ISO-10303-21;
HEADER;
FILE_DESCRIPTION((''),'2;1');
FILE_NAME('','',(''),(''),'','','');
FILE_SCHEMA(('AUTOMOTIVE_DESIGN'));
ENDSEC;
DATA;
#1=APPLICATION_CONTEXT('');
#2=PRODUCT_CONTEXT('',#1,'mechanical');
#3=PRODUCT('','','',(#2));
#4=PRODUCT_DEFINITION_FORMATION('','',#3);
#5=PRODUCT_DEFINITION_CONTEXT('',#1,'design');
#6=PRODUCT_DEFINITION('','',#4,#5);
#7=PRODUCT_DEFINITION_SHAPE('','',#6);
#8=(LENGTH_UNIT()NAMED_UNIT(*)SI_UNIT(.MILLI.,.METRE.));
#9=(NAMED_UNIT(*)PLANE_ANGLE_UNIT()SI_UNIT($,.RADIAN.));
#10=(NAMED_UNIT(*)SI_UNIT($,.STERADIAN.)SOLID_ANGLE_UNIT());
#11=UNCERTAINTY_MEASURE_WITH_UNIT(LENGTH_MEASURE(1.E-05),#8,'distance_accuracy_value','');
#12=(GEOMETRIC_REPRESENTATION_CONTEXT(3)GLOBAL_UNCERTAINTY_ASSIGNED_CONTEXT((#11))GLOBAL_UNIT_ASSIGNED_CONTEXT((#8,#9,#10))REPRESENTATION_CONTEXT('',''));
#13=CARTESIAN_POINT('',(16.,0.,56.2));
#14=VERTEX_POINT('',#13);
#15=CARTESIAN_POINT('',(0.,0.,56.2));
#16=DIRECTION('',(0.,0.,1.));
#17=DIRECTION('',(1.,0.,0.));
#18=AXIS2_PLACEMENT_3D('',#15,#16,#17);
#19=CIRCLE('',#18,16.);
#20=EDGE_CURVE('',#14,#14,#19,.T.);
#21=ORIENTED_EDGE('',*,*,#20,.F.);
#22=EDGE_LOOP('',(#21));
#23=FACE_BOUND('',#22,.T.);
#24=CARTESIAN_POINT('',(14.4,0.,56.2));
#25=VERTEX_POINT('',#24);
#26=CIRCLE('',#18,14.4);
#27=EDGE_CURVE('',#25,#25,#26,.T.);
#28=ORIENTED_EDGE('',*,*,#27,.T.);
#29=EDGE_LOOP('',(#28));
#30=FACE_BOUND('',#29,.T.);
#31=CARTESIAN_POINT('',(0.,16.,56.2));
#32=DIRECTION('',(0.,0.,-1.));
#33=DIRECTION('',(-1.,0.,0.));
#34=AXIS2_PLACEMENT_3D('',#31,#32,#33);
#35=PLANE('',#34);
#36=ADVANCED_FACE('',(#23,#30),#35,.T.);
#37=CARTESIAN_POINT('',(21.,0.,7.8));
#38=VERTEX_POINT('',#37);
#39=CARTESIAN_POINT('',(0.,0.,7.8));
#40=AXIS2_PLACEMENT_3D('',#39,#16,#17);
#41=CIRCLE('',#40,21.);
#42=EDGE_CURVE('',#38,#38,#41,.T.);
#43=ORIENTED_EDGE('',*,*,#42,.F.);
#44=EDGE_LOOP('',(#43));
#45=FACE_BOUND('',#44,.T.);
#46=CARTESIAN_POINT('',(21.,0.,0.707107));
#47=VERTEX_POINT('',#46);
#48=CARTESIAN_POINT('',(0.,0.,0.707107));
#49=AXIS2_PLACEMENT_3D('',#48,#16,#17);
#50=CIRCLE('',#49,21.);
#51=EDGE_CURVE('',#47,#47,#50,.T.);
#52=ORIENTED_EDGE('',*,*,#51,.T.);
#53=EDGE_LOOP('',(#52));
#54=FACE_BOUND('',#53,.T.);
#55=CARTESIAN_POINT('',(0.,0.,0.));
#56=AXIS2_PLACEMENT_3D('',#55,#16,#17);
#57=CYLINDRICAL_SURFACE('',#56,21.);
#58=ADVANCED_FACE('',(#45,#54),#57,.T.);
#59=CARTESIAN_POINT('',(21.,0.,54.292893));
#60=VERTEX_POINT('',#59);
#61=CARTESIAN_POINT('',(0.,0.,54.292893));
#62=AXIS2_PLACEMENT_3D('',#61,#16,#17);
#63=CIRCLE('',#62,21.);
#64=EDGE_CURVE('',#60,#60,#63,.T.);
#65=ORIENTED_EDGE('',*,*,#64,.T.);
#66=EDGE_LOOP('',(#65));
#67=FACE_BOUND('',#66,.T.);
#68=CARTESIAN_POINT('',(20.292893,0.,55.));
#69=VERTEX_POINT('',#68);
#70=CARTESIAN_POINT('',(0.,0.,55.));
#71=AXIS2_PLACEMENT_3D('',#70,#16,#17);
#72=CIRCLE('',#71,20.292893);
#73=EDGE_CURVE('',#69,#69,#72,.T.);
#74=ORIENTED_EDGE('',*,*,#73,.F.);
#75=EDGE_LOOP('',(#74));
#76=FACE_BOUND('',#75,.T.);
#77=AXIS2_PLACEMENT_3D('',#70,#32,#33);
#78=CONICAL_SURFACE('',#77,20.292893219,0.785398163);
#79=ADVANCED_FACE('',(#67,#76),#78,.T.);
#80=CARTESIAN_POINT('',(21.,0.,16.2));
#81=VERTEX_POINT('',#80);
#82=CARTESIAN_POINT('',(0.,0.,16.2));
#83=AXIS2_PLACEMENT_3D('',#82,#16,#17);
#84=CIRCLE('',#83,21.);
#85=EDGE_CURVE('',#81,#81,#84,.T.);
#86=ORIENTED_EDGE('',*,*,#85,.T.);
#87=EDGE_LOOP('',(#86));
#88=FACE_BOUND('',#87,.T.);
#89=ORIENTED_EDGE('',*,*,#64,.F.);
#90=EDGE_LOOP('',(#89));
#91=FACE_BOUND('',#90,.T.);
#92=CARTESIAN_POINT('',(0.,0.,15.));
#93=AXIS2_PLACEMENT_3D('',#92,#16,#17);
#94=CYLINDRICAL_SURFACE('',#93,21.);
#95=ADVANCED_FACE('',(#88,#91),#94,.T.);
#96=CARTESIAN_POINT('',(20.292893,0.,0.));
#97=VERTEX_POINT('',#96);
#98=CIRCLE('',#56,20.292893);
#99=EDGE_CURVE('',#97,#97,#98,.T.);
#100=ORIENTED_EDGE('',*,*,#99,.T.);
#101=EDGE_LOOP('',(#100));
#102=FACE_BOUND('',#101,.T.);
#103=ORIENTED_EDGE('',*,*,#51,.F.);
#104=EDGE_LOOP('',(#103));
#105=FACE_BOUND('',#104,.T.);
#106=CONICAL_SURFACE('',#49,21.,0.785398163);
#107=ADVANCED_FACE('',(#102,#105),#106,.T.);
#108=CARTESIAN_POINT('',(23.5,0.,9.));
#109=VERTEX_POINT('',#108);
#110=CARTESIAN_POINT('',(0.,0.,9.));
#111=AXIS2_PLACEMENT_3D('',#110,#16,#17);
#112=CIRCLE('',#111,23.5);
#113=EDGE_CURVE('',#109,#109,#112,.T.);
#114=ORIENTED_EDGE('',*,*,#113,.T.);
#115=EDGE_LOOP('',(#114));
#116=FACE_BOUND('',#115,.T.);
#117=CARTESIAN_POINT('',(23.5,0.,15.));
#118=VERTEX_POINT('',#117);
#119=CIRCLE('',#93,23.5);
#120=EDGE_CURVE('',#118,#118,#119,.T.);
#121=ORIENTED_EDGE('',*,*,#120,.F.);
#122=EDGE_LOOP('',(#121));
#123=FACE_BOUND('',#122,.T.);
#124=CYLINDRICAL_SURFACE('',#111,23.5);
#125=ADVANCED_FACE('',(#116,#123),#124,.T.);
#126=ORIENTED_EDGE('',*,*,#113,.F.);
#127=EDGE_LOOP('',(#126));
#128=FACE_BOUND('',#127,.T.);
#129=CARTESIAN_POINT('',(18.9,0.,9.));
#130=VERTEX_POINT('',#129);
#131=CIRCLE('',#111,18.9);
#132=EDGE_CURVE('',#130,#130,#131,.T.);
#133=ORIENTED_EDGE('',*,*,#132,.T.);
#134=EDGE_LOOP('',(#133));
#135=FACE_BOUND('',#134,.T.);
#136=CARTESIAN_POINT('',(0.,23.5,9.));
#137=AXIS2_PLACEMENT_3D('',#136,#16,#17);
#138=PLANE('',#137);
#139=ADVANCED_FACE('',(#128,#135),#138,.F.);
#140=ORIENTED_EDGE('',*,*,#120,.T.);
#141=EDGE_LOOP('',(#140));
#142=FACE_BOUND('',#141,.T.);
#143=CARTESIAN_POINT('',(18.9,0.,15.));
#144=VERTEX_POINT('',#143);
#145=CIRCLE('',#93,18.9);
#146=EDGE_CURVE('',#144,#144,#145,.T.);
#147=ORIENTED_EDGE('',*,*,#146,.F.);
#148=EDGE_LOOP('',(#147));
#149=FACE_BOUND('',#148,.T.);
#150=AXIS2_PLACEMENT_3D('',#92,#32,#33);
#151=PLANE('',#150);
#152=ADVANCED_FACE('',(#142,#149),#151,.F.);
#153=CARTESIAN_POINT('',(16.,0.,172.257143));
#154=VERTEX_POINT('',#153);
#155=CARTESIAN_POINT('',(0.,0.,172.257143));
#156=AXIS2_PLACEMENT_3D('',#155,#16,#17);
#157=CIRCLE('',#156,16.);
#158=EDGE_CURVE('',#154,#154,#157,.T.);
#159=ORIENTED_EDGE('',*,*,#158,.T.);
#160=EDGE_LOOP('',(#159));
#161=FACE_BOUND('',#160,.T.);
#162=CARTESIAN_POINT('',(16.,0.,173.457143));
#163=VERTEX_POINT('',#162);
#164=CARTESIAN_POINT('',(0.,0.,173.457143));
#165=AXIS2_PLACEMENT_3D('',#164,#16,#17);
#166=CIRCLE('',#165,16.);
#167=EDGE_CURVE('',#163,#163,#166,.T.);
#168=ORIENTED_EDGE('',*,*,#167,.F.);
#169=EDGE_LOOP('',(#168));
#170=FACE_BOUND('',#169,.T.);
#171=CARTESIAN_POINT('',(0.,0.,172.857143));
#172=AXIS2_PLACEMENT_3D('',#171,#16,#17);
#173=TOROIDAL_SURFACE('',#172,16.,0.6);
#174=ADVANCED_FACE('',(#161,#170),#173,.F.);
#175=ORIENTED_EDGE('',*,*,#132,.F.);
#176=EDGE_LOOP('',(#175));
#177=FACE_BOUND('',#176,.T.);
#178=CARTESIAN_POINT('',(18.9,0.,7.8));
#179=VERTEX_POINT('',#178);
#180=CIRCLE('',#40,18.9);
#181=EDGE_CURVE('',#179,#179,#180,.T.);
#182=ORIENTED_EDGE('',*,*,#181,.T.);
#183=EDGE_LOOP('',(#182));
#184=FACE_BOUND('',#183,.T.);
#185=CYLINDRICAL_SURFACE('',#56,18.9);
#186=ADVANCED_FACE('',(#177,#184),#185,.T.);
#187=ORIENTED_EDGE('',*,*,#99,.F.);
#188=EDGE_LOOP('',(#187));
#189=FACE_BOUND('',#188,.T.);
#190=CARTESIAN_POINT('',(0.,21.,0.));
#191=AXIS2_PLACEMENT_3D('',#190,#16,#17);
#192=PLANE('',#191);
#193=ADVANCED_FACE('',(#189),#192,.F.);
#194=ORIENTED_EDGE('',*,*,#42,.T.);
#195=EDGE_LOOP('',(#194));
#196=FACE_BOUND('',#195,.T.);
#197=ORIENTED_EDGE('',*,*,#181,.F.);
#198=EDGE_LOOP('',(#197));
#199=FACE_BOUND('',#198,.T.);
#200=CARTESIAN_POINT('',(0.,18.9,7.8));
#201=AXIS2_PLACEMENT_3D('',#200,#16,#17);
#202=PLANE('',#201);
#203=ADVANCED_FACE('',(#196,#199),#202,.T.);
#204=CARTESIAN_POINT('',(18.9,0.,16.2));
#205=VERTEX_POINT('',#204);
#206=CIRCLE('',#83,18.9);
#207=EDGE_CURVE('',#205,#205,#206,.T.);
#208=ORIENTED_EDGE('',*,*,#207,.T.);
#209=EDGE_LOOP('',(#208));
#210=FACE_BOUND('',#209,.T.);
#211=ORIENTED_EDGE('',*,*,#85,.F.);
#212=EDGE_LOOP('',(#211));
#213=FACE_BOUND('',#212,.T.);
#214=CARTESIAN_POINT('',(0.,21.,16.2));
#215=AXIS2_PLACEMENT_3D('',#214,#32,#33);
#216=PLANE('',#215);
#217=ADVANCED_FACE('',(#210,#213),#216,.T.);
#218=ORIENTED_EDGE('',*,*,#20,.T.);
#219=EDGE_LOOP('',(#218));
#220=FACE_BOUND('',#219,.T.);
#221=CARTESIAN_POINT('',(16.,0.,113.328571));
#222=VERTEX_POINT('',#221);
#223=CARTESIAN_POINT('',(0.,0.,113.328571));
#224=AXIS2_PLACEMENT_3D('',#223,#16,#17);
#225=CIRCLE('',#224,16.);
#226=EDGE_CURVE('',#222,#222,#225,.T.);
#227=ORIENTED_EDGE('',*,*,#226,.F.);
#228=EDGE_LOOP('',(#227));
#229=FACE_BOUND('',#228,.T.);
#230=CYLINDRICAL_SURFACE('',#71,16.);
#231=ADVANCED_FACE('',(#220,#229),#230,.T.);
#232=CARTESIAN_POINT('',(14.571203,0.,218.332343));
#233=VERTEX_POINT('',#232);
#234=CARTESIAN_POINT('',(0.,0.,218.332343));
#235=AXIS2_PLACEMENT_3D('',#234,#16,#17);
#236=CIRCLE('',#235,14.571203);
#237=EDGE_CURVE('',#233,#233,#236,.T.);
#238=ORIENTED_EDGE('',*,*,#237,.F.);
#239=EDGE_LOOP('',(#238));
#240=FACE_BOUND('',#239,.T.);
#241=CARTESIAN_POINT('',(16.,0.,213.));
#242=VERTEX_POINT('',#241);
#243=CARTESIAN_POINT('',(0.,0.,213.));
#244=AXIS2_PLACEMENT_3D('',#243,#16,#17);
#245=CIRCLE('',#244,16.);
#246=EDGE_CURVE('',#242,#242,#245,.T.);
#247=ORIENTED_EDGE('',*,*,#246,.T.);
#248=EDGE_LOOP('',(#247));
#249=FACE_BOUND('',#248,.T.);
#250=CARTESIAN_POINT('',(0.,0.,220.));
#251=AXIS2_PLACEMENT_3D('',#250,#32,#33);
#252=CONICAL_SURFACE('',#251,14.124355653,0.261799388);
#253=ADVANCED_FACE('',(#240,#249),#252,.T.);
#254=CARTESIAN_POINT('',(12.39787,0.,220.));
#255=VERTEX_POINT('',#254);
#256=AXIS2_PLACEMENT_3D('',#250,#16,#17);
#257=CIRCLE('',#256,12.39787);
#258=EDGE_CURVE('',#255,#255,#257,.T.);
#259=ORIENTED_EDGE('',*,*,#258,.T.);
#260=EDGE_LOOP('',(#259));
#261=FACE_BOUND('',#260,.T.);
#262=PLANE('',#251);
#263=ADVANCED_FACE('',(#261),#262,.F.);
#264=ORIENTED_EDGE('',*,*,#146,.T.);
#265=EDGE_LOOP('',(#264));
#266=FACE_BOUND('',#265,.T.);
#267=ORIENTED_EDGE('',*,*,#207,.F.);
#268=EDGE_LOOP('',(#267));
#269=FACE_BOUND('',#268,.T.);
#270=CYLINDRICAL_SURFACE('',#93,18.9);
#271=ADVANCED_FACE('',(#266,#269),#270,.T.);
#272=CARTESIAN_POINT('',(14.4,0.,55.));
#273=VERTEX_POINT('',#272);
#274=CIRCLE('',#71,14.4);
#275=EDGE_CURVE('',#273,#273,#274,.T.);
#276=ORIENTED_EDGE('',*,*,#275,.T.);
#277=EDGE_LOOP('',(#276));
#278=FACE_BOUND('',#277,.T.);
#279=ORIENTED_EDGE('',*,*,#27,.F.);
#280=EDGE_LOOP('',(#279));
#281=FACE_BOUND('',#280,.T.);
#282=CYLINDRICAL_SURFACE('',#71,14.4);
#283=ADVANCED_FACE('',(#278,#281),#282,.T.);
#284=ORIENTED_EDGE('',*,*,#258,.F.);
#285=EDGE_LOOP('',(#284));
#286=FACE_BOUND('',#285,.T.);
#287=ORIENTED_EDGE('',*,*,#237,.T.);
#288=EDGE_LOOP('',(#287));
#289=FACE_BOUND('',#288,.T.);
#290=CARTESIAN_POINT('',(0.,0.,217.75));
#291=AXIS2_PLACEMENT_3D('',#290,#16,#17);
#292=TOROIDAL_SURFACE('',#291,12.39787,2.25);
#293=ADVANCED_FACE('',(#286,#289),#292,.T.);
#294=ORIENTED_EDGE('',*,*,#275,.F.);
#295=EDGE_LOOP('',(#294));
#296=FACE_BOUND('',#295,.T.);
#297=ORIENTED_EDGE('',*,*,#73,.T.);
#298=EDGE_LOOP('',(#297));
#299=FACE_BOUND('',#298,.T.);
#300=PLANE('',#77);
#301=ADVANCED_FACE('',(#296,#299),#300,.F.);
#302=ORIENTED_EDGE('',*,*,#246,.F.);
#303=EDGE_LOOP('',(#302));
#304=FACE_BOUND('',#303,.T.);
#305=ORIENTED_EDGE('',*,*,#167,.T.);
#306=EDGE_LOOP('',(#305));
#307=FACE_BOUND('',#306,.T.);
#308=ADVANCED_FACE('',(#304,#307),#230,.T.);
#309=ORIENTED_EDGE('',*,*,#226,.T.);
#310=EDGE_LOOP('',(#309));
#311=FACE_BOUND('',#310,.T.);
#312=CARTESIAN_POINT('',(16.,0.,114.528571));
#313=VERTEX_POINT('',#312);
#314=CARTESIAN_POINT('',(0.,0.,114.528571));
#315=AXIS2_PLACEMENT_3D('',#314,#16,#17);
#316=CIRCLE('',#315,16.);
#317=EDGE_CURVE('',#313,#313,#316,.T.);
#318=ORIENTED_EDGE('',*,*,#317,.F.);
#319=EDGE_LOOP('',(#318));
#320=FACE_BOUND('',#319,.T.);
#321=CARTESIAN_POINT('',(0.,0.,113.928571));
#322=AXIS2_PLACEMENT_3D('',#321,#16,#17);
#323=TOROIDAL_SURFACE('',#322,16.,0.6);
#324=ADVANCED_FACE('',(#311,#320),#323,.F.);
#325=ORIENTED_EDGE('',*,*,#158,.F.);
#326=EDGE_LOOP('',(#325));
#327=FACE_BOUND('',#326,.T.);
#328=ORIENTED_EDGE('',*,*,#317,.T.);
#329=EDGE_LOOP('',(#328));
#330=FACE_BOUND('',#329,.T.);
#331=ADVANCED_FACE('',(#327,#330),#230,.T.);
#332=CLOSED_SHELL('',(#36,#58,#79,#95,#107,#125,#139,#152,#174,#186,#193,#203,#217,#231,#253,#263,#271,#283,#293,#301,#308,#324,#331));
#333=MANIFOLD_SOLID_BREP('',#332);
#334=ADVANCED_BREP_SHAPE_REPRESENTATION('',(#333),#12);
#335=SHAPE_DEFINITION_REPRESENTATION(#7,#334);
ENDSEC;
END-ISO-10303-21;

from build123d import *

# Parameters (mm, degrees)
SZKIC1_W = 9
SZKIC1_H = 21
SZKIC3_W = 1.2
SZKIC3_H = 2.1
SZKIC4_W = 6
SZKIC4_H = 23.5
SZKIC5_W = 40
SZKIC5_H = 21
SZKIC6_W = 1.2
SZKIC6_H = 2.1
SZKIC8_W = 165
SZKIC8_H = 16
SZKIC9_W = 1.2
SZKIC9_H = 1.6


with BuildPart() as part:
    # Szkic1 → Obrót1 (revolve)
    with BuildSketch(Plane(origin=(0, 0, 0), x_dir=(0, 0, -1), z_dir=(1, 0, 0))):
        with Locations((-4.5, 10.5)):
            Rectangle(SZKIC1_W, SZKIC1_H)
    revolve(axis=Axis((0, 0, 0), (0, 0, 1)))

    # Szkic2 → Wycięcie-obrót1 (revolve, cut)
    with BuildSketch(Plane(origin=(0, 0, 0), x_dir=(0, 0, -1), z_dir=(1, 0, 0))):
        Polygon((-0.707106781, 21), (0, 20.292893219), (0, 21), align=None)
    revolve(axis=Axis((0, 0, 0), (0, 0, 1)), mode=Mode.SUBTRACT)

    # Szkic3 → Wycięcie-obrót2 (revolve, cut)
    with BuildSketch(Plane(origin=(0, 0, 0), x_dir=(0, 0, -1), z_dir=(1, 0, 0))):
        with Locations((-8.4, 19.95)):
            Rectangle(SZKIC3_W, SZKIC3_H)
    revolve(axis=Axis((0, 0, 0), (0, 0, 1)), mode=Mode.SUBTRACT)

    # Szkic4 → Obrót2 (revolve)
    with BuildSketch(Plane(origin=(0, 0, 0), x_dir=(0, 0, -1), z_dir=(1, 0, 0))):
        with Locations((-12, 11.75)):
            Rectangle(SZKIC4_W, SZKIC4_H)
    revolve(axis=Axis((0, 0, 9), (0, 0, 1)))

    # Szkic5 → Obrót3 (revolve)
    with BuildSketch(Plane(origin=(0, 0, 0), x_dir=(0, 0, -1), z_dir=(1, 0, 0))):
        with Locations((-35, 10.5)):
            Rectangle(SZKIC5_W, SZKIC5_H)
    revolve(axis=Axis((0, 0, 15), (0, 0, 1)))

    # Szkic6 → Wycięcie-obrót3 (revolve, cut)
    with BuildSketch(Plane(origin=(0, 0, 0), x_dir=(0, 0, -1), z_dir=(1, 0, 0))):
        with Locations((-15.6, 19.95)):
            Rectangle(SZKIC6_W, SZKIC6_H)
    revolve(axis=Axis((0, 0, 15), (0, 0, 1)), mode=Mode.SUBTRACT)

    # Szkic7 → Wycięcie-obrót4 (revolve, cut)
    with BuildSketch(Plane(origin=(0, 0, 0), x_dir=(0, 0, -1), z_dir=(1, 0, 0))):
        Polygon((-55, 20.292893219), (-54.292893219, 21), (-55, 21), align=None)
    revolve(axis=Axis((0, 0, 9), (0, 0, 1)), mode=Mode.SUBTRACT)

    # Szkic8 → Obrót4 (revolve)
    with BuildSketch(Plane(origin=(0, 0, 0), x_dir=(0, 0, -1), z_dir=(1, 0, 0))):
        with Locations((-137.5, 8)):
            Rectangle(SZKIC8_W, SZKIC8_H)
    revolve(axis=Axis((0, 0, 55), (0, 0, 1)))

    # Szkic9 → Wycięcie-obrót5 (revolve, cut)
    with BuildSketch(Plane(origin=(0, 0, 0), x_dir=(0, 0, -1), z_dir=(1, 0, 0))):
        with Locations((-55.6, 15.2)):
            Rectangle(SZKIC9_W, SZKIC9_H)
    revolve(axis=Axis((0, 0, 55), (0, 0, 1)), mode=Mode.SUBTRACT)

    # Szkic10 → Wycięcie-obrót6 (revolve, cut)
    with BuildSketch(Plane(origin=(0, 0, 0), x_dir=(0, 0, -1), z_dir=(1, 0, 0))):
        Polygon((-220, 14.124355653), (-213, 16), (-220, 16), align=None)
    revolve(axis=Axis((0, 0, 55), (0, 0, 1)), mode=Mode.SUBTRACT)

    # Szkic11 → Wycięcie-obrót7 (revolve, cut)
    with BuildSketch(Plane(origin=(0, 0, 0), x_dir=(0, 0, -1), z_dir=(1, 0, 0))):
        with BuildLine():
            Line((-218.332342851, 14.571203039), (-220, 14.124355653))
            Line((-220, 14.124355653), (-220, 12.39786993))
            ThreePointArc((-220, 12.39786993), (-219.535045016, 13.767583145), (-218.332342851, 14.571203039))
        make_face()
    revolve(axis=Axis((0, 0, 55), (0, 0, 1)), mode=Mode.SUBTRACT)

    # Szkic12 → Wycięcie-obrót8 (revolve, cut)
    with BuildSketch(Plane(origin=(0, 0, 0), x_dir=(0, 0, -1), z_dir=(1, 0, 0))):
        with BuildLine():
            Line((-172.257142857, 16), (-173.457142857, 16))
            ThreePointArc((-173.457142857, 16), (-172.857142857, 15.4), (-172.257142857, 16))
        make_face()
    revolve(axis=Axis((0, 0, 172.257142857), (0, 0, 1)), mode=Mode.SUBTRACT)

    # Szkic13 → Wycięcie-obrót9 (revolve, cut)
    with BuildSketch(Plane(origin=(0, 0, 0), x_dir=(0, 0, -1), z_dir=(1, 0, 0))):
        with BuildLine():
            Line((-113.328570957, 16), (-114.528570957, 16))
            ThreePointArc((-114.528570957, 16), (-113.928570957, 15.4), (-113.328570957, 16))
        make_face()
    revolve(axis=Axis((0, 0, 113.328570957), (0, 0, 1)), mode=Mode.SUBTRACT)


solid = part.part
